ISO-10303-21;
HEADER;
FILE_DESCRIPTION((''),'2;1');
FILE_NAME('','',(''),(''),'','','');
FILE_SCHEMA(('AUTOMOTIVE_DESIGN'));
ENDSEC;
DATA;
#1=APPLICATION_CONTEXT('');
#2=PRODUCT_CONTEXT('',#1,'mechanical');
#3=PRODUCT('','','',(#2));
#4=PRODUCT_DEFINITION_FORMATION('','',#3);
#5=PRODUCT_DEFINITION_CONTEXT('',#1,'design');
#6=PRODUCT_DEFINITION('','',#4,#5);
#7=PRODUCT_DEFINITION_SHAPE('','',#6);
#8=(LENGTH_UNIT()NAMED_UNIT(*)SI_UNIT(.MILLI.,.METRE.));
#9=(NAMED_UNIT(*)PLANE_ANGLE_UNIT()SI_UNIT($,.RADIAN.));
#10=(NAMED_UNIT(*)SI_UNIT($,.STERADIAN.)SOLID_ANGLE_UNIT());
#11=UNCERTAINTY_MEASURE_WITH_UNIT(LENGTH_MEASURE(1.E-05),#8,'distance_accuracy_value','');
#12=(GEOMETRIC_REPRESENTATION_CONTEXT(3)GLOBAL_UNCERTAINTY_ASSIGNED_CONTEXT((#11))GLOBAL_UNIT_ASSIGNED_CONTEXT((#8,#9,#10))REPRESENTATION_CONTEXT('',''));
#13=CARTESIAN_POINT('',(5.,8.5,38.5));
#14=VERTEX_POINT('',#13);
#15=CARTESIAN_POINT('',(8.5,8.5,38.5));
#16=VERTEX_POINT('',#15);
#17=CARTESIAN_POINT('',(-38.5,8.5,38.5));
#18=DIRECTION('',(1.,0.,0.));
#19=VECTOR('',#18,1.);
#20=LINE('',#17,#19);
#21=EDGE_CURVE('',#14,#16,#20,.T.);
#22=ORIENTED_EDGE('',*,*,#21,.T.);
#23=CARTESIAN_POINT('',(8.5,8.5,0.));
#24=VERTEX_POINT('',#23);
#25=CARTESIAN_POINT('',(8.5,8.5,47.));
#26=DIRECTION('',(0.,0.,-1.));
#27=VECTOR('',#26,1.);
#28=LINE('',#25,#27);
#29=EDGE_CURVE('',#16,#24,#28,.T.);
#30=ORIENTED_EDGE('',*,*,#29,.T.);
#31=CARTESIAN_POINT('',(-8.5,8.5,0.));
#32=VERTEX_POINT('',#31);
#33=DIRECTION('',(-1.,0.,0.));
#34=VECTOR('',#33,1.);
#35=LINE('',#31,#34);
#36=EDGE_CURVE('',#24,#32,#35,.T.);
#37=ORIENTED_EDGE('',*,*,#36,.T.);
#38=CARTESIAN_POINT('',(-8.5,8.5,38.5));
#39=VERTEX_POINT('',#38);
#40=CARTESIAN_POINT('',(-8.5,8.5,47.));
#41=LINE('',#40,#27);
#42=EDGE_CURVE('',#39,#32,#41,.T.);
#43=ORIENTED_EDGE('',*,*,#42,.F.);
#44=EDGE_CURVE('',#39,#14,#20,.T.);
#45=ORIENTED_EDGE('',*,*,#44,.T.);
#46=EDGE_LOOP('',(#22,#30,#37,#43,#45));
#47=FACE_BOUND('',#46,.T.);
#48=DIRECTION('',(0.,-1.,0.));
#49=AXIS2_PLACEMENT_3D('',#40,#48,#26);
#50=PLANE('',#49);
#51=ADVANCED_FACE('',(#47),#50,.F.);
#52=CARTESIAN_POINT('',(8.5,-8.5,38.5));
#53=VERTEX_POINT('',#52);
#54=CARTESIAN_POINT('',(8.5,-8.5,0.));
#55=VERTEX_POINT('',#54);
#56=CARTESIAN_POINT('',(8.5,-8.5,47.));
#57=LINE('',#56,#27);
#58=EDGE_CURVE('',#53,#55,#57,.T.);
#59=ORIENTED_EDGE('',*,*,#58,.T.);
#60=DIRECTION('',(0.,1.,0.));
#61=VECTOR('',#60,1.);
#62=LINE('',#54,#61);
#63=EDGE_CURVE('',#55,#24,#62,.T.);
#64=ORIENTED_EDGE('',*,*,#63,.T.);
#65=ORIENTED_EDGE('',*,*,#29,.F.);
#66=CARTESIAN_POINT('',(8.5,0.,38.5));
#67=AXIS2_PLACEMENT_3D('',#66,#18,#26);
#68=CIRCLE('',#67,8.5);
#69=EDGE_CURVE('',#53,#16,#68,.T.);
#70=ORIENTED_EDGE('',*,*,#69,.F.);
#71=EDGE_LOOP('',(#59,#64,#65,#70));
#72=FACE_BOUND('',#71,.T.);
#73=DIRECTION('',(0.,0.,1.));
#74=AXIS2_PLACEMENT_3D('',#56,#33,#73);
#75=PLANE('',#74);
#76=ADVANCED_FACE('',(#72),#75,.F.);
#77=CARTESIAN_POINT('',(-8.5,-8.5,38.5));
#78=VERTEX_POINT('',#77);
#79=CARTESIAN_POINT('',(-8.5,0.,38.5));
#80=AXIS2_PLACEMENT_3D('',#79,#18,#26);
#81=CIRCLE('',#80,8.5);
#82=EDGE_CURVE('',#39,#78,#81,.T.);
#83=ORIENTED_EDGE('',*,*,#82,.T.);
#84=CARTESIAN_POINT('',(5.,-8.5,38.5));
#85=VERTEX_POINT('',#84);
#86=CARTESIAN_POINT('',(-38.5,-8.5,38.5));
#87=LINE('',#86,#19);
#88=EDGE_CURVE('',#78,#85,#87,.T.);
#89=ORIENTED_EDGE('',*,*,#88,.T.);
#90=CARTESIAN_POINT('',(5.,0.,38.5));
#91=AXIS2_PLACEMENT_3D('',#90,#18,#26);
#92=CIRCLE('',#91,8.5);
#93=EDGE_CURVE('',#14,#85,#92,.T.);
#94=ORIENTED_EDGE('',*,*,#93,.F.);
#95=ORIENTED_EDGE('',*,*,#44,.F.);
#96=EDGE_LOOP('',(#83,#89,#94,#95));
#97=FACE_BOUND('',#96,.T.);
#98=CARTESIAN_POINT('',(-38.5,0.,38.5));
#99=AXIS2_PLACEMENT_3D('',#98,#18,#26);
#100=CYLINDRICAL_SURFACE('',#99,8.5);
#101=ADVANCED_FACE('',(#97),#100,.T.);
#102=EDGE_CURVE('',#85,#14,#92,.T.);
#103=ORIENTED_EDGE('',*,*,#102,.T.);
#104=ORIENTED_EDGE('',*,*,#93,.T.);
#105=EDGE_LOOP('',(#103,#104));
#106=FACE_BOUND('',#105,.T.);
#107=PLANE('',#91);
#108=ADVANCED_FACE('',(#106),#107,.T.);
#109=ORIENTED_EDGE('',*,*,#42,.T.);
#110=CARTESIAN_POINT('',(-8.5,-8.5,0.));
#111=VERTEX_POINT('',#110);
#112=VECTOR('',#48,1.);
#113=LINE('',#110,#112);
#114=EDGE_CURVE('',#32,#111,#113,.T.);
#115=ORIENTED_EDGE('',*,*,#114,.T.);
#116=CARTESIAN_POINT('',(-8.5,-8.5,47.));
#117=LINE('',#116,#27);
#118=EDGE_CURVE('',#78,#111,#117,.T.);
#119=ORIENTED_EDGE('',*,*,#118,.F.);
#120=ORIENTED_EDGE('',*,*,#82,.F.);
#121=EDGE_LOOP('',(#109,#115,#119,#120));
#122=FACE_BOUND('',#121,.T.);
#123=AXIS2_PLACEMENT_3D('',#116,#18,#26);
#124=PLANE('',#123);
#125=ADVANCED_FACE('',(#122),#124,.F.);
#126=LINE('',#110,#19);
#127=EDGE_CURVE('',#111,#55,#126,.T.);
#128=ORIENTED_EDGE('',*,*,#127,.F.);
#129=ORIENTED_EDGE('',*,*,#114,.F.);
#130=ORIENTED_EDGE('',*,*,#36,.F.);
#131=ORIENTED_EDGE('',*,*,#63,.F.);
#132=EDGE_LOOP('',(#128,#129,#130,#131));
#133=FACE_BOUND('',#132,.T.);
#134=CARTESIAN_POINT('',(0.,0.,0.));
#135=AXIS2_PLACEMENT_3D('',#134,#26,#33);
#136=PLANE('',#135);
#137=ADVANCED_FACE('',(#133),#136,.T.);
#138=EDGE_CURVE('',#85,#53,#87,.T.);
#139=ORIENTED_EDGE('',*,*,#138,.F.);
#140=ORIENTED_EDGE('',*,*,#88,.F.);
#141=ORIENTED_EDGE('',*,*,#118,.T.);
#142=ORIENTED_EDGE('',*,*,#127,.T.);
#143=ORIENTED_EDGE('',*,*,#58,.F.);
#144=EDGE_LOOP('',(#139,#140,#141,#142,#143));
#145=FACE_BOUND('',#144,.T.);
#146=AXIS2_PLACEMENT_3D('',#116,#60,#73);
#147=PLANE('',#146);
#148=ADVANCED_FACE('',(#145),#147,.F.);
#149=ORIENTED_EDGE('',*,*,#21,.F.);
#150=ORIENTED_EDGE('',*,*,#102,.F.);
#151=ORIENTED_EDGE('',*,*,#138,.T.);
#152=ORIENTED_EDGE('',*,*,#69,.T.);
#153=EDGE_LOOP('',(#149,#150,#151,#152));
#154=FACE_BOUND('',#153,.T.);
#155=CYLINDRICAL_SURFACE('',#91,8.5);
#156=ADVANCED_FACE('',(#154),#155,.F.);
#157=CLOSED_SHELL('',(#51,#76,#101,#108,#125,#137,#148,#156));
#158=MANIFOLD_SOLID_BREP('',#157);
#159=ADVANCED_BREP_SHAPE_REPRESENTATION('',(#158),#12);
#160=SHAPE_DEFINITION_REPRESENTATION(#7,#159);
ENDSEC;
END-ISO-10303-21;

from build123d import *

# Parameters (mm, degrees)
SKETCH2_W           = 17
SKETCH2_H           = 17
BOSS_EXTRUDE1_DEPTH = 47
CUT_EXTRUDE1_DEPTH  = 47
SKETCH6_R           = 8.5
CUT_EXTRUDE3_DEPTH  = 3.5


with BuildPart() as part:
    # Sketch2 → Boss-Extrude1 (new body)
    with BuildSketch(Plane.XY):
        Rectangle(SKETCH2_W, SKETCH2_H)
    extrude(amount=BOSS_EXTRUDE1_DEPTH)

    # Sketch3 → Cut-Extrude1 (cut)
    with BuildSketch(Plane(origin=(8.5, 0, 0), x_dir=(0, 0, -1), z_dir=(1, 0, 0))):
        with BuildLine():
            Line((-38.5, 8.5), (-47, 8.5))
            Line((-47, 8.5), (-47, 0))
            ThreePointArc((-47, 0), (-44.51040764, 6.01040764), (-38.5, 8.5))
        make_face()
        with BuildLine():
            ThreePointArc((-38.5, -8.5), (-44.51040764, -6.01040764), (-47, 0))
            Line((-47, 0), (-47, -8.5))
            Line((-47, -8.5), (-38.5, -8.5))
        make_face()
    extrude(amount=-CUT_EXTRUDE1_DEPTH, mode=Mode.SUBTRACT)

    # Sketch6 → Cut-Extrude3 (cut)
    with BuildSketch(Plane(origin=(8.5, 0, 0), x_dir=(0, 0, -1), z_dir=(1, 0, 0))):
        with Locations((-38.5, 0)):
            Circle(SKETCH6_R)
    extrude(amount=-CUT_EXTRUDE3_DEPTH, mode=Mode.SUBTRACT)


solid = part.part
